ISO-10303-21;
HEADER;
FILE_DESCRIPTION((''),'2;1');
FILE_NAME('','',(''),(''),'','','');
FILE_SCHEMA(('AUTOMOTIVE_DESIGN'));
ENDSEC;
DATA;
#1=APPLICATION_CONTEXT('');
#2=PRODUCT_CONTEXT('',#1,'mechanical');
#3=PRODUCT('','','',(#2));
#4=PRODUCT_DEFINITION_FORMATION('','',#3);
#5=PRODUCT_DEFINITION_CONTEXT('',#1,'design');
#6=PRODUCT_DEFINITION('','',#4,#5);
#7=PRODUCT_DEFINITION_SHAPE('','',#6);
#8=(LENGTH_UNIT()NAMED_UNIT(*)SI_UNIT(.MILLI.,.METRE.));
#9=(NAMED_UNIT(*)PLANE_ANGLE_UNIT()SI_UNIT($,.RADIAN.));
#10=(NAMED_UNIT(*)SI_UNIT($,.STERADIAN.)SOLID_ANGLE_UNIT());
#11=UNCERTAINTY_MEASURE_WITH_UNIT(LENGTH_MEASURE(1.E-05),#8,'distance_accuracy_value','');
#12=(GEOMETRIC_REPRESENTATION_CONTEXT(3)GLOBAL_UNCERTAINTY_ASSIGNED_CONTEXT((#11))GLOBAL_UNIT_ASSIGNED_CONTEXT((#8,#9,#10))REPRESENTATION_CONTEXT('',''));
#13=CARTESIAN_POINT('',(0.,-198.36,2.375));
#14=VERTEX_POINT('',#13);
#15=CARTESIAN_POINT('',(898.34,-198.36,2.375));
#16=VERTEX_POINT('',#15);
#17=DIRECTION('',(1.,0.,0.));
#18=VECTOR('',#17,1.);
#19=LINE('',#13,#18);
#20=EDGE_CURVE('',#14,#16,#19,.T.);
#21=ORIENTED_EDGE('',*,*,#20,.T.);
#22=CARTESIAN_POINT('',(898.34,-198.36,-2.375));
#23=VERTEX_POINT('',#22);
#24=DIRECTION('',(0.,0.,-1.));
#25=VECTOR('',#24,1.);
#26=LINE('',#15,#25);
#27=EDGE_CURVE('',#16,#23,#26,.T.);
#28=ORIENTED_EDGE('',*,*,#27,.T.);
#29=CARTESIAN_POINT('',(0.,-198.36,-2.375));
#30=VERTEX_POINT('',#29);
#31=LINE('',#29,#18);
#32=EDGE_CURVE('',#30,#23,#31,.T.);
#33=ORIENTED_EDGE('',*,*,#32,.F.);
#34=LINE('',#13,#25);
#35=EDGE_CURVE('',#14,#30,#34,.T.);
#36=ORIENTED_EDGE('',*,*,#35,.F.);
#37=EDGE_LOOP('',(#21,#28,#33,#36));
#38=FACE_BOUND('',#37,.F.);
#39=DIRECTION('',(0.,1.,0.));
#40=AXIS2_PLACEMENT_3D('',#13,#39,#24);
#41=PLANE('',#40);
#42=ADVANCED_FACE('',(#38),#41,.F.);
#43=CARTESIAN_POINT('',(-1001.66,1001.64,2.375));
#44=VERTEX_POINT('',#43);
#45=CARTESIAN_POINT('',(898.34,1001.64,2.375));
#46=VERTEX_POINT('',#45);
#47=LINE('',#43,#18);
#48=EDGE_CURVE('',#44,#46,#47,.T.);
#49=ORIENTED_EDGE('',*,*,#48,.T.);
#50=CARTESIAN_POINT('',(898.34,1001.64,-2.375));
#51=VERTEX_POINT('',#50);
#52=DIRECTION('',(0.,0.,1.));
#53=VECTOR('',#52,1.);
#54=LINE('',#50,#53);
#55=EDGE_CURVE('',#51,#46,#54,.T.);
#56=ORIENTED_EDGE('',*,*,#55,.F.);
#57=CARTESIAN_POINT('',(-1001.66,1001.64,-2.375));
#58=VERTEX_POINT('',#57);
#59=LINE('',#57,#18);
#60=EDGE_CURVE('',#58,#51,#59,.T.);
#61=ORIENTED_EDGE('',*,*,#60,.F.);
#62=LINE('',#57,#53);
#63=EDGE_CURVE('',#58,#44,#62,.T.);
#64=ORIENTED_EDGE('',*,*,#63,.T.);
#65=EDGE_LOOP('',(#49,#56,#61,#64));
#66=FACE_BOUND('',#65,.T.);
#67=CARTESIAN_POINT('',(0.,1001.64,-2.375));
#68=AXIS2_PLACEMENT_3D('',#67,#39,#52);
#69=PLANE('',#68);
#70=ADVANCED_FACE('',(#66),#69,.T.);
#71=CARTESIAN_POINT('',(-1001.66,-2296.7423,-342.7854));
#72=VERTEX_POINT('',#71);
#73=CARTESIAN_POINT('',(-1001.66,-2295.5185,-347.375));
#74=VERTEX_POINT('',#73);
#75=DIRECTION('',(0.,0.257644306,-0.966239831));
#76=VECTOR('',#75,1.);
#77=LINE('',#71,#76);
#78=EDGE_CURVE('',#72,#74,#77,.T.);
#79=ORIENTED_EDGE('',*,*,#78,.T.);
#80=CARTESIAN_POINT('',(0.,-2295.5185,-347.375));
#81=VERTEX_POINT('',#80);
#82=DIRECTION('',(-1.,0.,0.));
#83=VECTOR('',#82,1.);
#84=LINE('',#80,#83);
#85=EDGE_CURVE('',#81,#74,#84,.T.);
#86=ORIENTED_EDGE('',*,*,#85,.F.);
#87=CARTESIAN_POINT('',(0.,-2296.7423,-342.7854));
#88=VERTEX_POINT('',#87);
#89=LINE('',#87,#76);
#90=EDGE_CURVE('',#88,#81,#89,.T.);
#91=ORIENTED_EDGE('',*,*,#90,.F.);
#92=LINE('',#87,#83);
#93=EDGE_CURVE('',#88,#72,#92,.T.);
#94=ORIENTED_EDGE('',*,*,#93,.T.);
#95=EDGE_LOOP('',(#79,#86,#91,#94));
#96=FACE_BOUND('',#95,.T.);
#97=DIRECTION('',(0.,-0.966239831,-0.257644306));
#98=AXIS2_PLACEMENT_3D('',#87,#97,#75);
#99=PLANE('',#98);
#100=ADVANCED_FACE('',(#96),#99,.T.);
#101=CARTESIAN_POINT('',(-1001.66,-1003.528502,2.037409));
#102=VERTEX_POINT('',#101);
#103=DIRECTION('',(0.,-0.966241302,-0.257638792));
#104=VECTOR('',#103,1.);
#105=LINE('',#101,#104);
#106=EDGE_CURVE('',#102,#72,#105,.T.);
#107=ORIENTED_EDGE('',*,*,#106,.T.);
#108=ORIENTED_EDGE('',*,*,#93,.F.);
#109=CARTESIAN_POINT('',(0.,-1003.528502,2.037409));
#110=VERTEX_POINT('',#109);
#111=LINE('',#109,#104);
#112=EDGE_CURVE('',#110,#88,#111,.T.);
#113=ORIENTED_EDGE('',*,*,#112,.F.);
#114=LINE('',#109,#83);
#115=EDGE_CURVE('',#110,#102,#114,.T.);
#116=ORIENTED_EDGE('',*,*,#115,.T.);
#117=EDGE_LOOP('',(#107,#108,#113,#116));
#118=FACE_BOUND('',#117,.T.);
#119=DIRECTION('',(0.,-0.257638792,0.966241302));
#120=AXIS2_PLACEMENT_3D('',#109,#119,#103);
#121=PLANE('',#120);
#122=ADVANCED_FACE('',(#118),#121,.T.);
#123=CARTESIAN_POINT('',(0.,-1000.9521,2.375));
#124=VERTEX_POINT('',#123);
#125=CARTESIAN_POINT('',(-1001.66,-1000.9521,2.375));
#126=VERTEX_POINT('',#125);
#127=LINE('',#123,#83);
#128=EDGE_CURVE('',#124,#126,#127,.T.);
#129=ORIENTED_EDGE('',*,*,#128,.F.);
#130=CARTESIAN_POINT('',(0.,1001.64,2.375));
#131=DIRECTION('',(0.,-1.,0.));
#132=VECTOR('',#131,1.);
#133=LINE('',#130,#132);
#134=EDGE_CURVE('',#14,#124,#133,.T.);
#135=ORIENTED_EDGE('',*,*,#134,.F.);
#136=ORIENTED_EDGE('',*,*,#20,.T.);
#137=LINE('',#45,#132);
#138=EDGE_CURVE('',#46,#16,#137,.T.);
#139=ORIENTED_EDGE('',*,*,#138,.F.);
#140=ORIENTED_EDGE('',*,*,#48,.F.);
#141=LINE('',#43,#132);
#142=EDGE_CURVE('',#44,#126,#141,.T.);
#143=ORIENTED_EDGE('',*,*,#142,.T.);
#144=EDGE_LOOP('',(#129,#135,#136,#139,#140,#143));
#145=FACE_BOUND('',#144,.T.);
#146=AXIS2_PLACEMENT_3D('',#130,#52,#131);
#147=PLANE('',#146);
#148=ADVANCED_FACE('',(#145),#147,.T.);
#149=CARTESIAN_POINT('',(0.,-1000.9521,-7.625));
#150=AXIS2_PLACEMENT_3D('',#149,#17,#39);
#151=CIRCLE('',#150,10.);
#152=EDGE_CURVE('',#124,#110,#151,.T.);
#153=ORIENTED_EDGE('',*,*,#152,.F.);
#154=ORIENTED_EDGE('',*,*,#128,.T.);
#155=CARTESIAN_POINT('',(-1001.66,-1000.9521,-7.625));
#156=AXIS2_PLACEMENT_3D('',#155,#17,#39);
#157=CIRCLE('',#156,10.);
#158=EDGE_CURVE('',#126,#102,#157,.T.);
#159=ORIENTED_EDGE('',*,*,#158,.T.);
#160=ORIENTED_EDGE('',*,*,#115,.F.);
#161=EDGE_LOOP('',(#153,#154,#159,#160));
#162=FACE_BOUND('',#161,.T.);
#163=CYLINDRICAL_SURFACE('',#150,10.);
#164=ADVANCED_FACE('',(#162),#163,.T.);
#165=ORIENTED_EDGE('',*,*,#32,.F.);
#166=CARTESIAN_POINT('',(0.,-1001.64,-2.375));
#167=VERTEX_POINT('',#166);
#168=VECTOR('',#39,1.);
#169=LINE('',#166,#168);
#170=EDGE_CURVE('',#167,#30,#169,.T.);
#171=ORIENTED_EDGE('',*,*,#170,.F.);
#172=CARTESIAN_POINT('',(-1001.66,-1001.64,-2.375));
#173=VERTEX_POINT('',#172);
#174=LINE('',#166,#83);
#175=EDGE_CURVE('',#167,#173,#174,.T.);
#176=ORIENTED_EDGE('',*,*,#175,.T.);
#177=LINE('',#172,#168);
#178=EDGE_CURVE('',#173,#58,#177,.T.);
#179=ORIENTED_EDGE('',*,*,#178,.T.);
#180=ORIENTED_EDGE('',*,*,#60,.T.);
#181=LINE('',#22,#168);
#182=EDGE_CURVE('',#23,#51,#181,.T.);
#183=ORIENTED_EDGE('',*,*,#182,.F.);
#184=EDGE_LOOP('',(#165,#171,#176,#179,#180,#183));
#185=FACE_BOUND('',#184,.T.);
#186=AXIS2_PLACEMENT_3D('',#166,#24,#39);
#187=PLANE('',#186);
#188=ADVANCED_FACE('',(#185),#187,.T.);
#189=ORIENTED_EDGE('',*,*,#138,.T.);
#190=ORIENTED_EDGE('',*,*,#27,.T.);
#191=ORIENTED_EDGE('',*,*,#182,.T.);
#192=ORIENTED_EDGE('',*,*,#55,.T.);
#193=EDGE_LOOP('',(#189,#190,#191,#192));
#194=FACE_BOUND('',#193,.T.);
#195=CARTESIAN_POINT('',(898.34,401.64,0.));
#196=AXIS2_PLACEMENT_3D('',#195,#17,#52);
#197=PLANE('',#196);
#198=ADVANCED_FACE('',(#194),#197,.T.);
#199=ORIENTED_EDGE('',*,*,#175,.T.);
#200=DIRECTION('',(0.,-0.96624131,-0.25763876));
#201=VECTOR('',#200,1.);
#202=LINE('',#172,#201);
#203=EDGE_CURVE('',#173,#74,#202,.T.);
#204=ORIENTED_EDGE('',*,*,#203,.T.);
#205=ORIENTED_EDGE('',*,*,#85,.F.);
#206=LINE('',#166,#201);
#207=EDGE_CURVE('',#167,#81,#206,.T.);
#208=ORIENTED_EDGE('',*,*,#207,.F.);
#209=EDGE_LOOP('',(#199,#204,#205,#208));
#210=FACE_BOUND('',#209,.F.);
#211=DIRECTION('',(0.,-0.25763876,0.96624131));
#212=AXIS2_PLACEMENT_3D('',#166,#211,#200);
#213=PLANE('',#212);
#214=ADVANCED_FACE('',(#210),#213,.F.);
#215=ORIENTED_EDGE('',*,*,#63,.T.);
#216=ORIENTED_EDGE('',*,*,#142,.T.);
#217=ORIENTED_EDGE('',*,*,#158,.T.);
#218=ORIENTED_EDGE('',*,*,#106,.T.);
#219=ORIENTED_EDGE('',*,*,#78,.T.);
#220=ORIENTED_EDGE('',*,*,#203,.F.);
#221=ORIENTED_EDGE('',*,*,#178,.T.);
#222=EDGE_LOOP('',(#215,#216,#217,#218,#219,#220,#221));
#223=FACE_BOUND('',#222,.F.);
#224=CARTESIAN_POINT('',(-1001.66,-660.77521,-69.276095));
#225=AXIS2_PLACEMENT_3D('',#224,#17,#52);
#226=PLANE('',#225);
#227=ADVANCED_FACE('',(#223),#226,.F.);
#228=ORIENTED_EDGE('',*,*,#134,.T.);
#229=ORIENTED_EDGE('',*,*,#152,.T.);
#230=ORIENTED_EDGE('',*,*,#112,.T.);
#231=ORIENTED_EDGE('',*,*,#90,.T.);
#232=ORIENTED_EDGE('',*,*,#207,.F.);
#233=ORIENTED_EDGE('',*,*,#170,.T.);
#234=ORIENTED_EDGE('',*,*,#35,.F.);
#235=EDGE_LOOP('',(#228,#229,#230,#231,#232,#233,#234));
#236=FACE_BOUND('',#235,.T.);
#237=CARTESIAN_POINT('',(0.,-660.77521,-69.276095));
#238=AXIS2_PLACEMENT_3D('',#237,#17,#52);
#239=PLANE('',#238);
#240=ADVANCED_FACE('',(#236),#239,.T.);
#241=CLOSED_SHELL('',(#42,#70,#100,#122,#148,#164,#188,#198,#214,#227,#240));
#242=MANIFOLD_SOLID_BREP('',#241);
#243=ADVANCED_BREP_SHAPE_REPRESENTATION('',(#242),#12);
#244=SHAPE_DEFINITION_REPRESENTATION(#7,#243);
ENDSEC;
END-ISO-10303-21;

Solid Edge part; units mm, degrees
sketch "Sketch1" plane through (0, 0, 0) normal (1, 0, 0) x (0, 1, 0)
  line L0 (-1001.64, -2.375) -> (1001.64, -2.375)
  line L1 (1001.64, -2.375) -> (1001.64, 2.375)
  line L2 (1001.64, 2.375) -> (-1000.9521, 2.375)
  arc A0 (-1000.9521, 2.375) -> (-1003.5285, 2.0374) centre (-1000.9521, -7.625) ccw
  line L3 (-1003.5285, 2.0374) -> (-2296.7423, -342.7854)
  line L4 (-2296.7423, -342.7854) -> (-2295.5185, -347.375)
  line L5 (-1001.64, -2.375) -> (-2295.5185, -347.375)
  dimension "D1" = 2003.28
  dimension "D2" = 4.75
  dimension "D3" = 4.75
  dimension "D4" = 345
extrude "Protrusion1" add sketch "Sketch1" against normal blind 1001.66
sketch "Sketch2" plane through (0, 0, 0) normal (1, 0, 0) x (0, 1, 0)
  line L0 (1001.64, 2.375) -> (-198.36, 2.375)
  line L1 (-198.36, 2.375) -> (-198.36, -2.375)
  line L2 (-198.36, -2.375) -> (1001.64, -2.375)
  line L3 (1001.64, -2.375) -> (1001.64, 2.375)
extrude "ExtrudedProtrusion_2" add sketch "Sketch2" along normal blind 898.34
